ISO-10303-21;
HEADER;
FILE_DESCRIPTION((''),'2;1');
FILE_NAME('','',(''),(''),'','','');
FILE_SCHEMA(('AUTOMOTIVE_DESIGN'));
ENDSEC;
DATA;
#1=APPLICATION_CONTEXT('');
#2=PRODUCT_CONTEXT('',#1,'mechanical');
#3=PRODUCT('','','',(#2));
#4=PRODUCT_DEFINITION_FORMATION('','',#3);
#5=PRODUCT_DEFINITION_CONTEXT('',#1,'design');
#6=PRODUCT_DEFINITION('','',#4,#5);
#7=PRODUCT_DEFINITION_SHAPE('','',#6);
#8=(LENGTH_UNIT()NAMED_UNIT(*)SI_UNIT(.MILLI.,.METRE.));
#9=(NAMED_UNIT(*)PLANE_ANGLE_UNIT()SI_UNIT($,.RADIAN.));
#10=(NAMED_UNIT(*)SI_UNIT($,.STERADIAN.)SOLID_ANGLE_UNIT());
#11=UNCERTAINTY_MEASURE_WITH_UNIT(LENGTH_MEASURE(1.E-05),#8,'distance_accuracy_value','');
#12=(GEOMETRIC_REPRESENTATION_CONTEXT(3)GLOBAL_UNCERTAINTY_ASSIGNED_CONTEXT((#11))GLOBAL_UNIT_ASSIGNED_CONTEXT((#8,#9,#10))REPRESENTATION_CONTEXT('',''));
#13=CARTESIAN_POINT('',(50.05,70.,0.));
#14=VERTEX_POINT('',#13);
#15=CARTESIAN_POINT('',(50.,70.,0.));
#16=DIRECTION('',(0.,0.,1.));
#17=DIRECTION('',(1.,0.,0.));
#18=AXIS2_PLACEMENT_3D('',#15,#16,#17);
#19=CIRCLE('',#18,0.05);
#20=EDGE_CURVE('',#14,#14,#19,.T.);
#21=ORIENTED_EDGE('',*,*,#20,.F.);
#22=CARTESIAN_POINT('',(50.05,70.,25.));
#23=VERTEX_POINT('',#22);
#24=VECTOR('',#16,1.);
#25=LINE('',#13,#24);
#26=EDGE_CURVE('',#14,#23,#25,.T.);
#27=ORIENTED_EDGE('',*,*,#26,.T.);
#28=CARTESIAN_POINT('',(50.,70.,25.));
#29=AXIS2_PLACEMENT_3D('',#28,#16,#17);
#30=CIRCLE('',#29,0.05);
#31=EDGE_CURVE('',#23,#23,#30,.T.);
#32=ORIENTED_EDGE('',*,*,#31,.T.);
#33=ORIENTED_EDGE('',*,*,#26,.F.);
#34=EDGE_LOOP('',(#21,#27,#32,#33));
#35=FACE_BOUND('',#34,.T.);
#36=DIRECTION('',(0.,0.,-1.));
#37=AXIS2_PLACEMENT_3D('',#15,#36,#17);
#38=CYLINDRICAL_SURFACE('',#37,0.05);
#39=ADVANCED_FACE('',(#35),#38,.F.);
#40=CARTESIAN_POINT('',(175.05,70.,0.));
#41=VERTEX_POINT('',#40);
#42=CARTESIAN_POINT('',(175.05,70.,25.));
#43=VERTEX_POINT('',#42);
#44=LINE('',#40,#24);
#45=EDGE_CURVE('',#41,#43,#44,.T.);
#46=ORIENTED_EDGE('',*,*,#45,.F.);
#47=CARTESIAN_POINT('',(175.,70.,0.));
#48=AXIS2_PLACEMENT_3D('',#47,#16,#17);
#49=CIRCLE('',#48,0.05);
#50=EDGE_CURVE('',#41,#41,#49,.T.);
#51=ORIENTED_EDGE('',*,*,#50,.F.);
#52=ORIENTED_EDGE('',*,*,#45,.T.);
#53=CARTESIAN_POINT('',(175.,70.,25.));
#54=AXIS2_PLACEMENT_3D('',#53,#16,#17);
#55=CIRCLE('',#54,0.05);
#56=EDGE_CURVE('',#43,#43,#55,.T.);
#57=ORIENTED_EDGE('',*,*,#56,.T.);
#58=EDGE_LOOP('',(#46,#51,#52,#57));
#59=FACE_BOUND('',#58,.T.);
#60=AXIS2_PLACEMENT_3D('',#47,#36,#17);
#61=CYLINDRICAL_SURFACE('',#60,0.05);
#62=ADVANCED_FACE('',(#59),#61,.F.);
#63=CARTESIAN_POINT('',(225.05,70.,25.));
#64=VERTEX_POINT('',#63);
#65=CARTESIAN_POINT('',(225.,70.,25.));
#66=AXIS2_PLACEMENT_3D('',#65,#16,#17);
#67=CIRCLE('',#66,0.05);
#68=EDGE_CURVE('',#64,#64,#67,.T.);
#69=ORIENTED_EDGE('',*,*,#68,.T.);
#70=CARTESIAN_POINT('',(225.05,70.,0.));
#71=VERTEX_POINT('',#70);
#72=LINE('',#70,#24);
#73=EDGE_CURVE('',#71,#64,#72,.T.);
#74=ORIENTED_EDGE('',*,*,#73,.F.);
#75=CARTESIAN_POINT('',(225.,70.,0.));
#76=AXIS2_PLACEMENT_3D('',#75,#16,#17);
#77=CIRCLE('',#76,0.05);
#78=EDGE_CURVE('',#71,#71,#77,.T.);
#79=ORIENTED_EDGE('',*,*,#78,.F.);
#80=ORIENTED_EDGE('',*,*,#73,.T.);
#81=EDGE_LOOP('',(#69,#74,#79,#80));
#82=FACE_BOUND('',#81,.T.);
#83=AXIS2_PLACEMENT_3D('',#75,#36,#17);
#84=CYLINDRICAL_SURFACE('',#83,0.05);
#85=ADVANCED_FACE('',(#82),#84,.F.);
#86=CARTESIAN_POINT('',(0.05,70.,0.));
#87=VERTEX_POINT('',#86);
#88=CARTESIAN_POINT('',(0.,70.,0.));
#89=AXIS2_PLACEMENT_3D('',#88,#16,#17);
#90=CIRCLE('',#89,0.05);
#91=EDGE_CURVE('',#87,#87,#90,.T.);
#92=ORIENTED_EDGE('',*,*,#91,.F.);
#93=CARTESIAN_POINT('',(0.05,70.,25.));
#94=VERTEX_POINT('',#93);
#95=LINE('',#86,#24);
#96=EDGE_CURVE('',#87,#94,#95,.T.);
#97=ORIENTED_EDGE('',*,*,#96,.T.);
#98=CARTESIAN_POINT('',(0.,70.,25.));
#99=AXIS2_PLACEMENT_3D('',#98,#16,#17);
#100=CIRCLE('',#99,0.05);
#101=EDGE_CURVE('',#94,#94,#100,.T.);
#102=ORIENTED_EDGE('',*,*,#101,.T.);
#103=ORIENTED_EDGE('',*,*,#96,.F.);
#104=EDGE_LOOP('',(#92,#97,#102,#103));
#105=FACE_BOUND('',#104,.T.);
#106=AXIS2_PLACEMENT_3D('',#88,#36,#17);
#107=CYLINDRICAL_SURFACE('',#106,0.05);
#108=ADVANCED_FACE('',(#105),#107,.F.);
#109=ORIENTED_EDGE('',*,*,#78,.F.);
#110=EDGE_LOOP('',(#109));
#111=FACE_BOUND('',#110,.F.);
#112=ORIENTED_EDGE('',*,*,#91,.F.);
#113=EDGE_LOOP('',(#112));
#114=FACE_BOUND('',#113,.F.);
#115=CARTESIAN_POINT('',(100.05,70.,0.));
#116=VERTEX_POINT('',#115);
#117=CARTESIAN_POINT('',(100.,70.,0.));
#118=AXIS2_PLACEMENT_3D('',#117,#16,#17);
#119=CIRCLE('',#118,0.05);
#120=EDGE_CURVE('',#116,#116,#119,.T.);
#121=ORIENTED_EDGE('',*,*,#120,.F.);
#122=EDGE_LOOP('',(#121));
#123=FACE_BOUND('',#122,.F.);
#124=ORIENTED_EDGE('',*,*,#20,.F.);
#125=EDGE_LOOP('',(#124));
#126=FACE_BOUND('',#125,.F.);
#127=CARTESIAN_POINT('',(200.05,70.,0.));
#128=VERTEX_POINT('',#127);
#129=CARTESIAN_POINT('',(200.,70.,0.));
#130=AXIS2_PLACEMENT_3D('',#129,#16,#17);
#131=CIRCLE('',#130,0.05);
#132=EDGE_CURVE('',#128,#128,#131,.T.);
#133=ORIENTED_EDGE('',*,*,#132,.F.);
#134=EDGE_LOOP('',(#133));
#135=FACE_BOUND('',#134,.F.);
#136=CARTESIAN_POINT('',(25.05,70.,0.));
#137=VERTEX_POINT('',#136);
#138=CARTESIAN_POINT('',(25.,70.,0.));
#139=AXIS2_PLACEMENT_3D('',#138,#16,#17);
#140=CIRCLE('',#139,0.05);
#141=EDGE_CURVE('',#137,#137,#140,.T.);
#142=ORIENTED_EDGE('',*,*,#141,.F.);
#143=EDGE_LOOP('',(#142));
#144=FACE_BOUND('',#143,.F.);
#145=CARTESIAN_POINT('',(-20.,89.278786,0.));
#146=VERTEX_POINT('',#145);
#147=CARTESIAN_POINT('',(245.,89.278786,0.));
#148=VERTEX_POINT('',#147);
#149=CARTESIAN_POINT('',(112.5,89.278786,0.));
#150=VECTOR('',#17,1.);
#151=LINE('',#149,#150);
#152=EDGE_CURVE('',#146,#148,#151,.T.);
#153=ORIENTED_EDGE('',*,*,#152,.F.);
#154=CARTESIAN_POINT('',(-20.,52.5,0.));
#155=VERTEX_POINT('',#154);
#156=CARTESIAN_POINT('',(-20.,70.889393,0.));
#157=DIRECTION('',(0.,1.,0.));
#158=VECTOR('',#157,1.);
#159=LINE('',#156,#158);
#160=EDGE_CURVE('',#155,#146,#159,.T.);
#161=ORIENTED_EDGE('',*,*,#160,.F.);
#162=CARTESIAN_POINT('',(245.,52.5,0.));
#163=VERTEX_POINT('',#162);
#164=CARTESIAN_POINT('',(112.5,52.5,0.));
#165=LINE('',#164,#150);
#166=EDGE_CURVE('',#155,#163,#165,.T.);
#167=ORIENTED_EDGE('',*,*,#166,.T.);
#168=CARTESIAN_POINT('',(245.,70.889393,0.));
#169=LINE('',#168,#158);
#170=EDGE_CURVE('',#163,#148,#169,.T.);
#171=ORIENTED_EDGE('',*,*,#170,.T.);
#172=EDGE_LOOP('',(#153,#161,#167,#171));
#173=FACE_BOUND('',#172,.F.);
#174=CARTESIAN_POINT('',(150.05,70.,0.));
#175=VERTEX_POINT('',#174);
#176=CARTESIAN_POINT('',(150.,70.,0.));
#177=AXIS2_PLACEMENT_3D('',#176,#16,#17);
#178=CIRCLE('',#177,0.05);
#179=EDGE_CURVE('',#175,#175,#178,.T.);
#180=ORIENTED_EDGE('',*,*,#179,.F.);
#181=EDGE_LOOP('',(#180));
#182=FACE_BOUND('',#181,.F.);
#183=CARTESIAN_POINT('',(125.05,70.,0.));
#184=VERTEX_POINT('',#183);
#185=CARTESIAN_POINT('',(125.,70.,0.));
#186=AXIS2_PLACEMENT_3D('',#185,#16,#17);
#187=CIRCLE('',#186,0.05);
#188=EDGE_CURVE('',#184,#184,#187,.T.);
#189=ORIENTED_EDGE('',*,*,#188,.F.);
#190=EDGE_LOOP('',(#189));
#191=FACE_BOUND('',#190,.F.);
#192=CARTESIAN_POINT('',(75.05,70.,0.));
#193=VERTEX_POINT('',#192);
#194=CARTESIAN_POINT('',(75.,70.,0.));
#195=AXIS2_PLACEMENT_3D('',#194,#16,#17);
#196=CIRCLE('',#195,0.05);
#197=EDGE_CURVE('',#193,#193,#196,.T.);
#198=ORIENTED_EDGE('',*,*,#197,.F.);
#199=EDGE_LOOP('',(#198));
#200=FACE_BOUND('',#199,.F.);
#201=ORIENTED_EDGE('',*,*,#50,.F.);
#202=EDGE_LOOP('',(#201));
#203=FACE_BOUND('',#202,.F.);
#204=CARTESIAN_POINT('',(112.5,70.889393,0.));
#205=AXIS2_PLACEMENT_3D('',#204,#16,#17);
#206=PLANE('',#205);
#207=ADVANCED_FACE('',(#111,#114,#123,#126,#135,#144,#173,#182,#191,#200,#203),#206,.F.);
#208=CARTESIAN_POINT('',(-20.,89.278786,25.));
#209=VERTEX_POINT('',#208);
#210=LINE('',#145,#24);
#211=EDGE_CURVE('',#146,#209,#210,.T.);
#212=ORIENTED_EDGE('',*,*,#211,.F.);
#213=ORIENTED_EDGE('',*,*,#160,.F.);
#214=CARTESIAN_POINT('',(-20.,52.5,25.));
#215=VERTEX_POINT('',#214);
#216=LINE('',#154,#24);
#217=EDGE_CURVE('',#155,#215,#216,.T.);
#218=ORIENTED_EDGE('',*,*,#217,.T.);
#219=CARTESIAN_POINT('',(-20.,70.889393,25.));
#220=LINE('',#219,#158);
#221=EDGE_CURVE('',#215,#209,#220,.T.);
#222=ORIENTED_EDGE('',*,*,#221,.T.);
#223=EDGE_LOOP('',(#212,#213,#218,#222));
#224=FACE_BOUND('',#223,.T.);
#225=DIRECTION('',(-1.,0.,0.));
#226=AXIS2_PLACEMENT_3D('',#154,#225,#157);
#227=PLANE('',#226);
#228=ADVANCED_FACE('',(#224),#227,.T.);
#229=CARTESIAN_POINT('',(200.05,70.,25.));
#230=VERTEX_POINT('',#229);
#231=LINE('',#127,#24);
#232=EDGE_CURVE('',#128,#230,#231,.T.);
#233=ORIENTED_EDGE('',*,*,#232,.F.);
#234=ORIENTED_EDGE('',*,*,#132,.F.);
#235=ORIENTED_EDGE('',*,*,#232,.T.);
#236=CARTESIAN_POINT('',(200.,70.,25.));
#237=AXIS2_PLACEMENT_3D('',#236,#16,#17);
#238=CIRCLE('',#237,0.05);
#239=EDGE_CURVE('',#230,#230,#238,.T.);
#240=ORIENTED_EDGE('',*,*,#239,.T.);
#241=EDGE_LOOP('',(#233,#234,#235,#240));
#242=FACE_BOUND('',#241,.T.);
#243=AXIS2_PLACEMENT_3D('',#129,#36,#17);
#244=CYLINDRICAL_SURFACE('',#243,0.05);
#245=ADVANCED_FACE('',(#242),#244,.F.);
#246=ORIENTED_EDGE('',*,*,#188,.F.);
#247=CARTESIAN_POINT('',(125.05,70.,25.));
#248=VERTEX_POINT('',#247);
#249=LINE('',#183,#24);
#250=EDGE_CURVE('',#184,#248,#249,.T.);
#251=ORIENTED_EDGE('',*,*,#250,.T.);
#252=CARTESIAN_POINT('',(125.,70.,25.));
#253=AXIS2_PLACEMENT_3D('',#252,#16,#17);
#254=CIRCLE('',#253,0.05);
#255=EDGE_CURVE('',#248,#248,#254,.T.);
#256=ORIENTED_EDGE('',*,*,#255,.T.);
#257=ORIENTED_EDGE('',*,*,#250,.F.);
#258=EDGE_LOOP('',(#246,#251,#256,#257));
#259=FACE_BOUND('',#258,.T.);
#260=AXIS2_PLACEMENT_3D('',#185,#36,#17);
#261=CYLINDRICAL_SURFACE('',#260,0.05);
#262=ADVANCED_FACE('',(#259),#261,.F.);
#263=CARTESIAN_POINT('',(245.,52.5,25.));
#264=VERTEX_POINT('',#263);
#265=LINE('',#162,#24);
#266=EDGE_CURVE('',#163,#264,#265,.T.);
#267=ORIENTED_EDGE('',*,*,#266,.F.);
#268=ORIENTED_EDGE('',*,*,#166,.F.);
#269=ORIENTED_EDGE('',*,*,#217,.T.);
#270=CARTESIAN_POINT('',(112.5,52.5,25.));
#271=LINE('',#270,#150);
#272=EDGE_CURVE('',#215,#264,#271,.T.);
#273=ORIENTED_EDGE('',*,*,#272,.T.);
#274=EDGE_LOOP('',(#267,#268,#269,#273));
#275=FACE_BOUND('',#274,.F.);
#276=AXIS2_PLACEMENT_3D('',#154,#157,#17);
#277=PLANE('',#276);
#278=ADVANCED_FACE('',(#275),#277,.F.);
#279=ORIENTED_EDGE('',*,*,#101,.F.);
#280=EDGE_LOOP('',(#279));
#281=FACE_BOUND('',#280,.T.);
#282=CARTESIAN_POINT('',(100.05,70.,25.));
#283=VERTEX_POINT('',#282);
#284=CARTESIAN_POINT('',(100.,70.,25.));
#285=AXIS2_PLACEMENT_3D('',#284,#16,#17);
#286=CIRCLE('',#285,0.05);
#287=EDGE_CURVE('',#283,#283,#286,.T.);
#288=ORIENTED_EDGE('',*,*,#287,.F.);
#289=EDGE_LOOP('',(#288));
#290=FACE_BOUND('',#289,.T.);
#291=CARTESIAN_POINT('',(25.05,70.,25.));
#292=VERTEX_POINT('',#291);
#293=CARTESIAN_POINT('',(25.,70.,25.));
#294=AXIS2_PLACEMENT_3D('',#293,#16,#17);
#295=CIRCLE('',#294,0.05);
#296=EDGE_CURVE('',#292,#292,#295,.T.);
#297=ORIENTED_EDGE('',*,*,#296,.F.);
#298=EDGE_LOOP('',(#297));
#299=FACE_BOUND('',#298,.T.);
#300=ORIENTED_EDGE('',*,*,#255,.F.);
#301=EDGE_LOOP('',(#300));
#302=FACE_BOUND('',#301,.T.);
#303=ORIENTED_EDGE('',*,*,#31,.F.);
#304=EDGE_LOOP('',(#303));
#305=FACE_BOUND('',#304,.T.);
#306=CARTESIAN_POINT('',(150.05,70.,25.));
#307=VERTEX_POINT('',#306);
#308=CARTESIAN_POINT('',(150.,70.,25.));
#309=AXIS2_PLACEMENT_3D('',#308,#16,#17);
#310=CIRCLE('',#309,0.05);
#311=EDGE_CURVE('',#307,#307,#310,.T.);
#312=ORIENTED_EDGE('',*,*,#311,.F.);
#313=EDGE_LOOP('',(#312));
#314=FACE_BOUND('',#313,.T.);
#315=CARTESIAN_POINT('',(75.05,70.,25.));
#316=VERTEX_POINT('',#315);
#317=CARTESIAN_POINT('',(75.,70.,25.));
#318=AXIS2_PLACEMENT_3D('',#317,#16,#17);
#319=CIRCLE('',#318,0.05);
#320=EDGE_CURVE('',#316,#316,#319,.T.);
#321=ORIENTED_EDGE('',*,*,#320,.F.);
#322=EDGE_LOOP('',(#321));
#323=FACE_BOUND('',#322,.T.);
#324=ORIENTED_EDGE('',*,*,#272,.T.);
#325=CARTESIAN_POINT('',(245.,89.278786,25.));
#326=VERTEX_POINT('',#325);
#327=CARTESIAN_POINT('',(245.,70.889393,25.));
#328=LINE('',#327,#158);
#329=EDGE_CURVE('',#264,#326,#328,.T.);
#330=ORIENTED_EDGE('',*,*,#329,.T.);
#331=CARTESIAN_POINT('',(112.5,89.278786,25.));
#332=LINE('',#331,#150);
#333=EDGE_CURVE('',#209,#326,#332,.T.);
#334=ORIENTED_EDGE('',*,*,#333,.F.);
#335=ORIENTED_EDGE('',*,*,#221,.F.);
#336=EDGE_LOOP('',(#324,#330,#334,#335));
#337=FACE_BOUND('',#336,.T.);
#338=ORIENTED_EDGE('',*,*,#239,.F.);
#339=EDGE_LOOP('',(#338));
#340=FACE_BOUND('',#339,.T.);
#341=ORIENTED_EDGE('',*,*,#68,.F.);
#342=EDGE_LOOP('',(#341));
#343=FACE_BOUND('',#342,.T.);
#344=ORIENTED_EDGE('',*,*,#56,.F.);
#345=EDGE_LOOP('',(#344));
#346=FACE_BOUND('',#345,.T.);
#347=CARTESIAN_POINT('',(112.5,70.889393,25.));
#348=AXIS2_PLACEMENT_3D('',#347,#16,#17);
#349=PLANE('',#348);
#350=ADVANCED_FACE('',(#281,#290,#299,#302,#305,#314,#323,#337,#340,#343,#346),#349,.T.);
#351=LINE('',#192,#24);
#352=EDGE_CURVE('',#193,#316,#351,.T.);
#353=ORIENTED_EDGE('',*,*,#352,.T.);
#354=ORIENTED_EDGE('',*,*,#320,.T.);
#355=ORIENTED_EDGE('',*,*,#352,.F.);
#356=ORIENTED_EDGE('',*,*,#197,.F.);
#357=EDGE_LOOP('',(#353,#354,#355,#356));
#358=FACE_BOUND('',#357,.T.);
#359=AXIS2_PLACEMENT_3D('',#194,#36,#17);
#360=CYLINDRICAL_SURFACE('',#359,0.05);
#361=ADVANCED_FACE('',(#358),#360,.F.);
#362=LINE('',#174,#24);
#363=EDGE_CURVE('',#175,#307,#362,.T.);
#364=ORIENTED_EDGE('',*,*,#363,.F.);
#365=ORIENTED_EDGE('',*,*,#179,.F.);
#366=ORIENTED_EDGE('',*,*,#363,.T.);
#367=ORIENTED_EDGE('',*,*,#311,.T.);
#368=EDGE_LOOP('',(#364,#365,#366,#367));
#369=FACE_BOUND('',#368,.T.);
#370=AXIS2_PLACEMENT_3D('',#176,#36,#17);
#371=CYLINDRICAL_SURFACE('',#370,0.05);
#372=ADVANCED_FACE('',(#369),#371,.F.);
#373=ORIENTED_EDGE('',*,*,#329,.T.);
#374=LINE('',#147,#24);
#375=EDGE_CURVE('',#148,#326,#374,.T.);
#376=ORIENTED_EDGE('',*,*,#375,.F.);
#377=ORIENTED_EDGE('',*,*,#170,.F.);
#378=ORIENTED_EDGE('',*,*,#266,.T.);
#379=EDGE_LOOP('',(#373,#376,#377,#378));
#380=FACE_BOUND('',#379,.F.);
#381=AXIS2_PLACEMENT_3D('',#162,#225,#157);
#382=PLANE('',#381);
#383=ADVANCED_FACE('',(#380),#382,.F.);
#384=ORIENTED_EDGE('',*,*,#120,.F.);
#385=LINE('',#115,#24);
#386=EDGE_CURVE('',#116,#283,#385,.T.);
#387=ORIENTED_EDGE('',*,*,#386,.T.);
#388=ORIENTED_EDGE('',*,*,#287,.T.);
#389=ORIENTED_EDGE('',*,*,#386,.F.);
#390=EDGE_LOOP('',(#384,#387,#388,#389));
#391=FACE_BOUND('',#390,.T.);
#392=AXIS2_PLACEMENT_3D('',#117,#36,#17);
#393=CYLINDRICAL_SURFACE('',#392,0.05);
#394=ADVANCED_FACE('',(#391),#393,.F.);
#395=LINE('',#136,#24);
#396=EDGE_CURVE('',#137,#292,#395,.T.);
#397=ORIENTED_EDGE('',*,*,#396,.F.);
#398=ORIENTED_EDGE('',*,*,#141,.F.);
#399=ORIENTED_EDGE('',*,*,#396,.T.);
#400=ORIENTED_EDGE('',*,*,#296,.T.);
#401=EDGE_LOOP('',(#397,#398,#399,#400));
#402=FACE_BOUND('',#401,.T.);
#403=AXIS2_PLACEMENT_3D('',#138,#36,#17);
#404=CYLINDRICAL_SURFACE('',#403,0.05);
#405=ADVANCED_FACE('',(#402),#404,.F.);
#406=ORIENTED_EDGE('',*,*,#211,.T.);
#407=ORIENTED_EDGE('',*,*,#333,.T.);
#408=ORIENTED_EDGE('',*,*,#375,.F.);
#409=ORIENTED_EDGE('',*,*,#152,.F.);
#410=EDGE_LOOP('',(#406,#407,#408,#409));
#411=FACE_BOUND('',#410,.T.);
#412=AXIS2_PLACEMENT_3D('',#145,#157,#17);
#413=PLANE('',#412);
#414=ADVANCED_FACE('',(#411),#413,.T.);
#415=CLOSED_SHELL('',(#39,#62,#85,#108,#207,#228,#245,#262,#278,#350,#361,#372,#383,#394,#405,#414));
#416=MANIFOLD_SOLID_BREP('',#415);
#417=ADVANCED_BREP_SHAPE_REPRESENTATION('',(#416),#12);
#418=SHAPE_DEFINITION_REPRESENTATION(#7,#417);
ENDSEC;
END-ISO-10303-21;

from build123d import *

# Parameters (mm, degrees)
F0_W     = 265
F0_H     = 36.778787
F0_R     = 0.05
F1_DEPTH = 25


with BuildPart() as f1:
    # F0 (on Top) → F1 (new body)
    with BuildSketch(Plane.XY):
        with Locations((112.5, 70.889393)):
            Rectangle(F0_W, F0_H)
        with Locations((0, 70)):
            Circle(F0_R, mode=Mode.SUBTRACT)
        with Locations((25, 70)):
            Circle(F0_R, mode=Mode.SUBTRACT)
        with Locations((50, 70)):
            Circle(F0_R, mode=Mode.SUBTRACT)
        with Locations((75, 70)):
            Circle(F0_R, mode=Mode.SUBTRACT)
        with Locations((100, 70)):
            Circle(F0_R, mode=Mode.SUBTRACT)
        with Locations((125, 70)):
            Circle(F0_R, mode=Mode.SUBTRACT)
        with Locations((150, 70)):
            Circle(F0_R, mode=Mode.SUBTRACT)
        with Locations((175, 70)):
            Circle(F0_R, mode=Mode.SUBTRACT)
        with Locations((200, 70)):
            Circle(F0_R, mode=Mode.SUBTRACT)
        with Locations((225, 70)):
            Circle(F0_R, mode=Mode.SUBTRACT)
    extrude(amount=F1_DEPTH)


solid = f1.part
